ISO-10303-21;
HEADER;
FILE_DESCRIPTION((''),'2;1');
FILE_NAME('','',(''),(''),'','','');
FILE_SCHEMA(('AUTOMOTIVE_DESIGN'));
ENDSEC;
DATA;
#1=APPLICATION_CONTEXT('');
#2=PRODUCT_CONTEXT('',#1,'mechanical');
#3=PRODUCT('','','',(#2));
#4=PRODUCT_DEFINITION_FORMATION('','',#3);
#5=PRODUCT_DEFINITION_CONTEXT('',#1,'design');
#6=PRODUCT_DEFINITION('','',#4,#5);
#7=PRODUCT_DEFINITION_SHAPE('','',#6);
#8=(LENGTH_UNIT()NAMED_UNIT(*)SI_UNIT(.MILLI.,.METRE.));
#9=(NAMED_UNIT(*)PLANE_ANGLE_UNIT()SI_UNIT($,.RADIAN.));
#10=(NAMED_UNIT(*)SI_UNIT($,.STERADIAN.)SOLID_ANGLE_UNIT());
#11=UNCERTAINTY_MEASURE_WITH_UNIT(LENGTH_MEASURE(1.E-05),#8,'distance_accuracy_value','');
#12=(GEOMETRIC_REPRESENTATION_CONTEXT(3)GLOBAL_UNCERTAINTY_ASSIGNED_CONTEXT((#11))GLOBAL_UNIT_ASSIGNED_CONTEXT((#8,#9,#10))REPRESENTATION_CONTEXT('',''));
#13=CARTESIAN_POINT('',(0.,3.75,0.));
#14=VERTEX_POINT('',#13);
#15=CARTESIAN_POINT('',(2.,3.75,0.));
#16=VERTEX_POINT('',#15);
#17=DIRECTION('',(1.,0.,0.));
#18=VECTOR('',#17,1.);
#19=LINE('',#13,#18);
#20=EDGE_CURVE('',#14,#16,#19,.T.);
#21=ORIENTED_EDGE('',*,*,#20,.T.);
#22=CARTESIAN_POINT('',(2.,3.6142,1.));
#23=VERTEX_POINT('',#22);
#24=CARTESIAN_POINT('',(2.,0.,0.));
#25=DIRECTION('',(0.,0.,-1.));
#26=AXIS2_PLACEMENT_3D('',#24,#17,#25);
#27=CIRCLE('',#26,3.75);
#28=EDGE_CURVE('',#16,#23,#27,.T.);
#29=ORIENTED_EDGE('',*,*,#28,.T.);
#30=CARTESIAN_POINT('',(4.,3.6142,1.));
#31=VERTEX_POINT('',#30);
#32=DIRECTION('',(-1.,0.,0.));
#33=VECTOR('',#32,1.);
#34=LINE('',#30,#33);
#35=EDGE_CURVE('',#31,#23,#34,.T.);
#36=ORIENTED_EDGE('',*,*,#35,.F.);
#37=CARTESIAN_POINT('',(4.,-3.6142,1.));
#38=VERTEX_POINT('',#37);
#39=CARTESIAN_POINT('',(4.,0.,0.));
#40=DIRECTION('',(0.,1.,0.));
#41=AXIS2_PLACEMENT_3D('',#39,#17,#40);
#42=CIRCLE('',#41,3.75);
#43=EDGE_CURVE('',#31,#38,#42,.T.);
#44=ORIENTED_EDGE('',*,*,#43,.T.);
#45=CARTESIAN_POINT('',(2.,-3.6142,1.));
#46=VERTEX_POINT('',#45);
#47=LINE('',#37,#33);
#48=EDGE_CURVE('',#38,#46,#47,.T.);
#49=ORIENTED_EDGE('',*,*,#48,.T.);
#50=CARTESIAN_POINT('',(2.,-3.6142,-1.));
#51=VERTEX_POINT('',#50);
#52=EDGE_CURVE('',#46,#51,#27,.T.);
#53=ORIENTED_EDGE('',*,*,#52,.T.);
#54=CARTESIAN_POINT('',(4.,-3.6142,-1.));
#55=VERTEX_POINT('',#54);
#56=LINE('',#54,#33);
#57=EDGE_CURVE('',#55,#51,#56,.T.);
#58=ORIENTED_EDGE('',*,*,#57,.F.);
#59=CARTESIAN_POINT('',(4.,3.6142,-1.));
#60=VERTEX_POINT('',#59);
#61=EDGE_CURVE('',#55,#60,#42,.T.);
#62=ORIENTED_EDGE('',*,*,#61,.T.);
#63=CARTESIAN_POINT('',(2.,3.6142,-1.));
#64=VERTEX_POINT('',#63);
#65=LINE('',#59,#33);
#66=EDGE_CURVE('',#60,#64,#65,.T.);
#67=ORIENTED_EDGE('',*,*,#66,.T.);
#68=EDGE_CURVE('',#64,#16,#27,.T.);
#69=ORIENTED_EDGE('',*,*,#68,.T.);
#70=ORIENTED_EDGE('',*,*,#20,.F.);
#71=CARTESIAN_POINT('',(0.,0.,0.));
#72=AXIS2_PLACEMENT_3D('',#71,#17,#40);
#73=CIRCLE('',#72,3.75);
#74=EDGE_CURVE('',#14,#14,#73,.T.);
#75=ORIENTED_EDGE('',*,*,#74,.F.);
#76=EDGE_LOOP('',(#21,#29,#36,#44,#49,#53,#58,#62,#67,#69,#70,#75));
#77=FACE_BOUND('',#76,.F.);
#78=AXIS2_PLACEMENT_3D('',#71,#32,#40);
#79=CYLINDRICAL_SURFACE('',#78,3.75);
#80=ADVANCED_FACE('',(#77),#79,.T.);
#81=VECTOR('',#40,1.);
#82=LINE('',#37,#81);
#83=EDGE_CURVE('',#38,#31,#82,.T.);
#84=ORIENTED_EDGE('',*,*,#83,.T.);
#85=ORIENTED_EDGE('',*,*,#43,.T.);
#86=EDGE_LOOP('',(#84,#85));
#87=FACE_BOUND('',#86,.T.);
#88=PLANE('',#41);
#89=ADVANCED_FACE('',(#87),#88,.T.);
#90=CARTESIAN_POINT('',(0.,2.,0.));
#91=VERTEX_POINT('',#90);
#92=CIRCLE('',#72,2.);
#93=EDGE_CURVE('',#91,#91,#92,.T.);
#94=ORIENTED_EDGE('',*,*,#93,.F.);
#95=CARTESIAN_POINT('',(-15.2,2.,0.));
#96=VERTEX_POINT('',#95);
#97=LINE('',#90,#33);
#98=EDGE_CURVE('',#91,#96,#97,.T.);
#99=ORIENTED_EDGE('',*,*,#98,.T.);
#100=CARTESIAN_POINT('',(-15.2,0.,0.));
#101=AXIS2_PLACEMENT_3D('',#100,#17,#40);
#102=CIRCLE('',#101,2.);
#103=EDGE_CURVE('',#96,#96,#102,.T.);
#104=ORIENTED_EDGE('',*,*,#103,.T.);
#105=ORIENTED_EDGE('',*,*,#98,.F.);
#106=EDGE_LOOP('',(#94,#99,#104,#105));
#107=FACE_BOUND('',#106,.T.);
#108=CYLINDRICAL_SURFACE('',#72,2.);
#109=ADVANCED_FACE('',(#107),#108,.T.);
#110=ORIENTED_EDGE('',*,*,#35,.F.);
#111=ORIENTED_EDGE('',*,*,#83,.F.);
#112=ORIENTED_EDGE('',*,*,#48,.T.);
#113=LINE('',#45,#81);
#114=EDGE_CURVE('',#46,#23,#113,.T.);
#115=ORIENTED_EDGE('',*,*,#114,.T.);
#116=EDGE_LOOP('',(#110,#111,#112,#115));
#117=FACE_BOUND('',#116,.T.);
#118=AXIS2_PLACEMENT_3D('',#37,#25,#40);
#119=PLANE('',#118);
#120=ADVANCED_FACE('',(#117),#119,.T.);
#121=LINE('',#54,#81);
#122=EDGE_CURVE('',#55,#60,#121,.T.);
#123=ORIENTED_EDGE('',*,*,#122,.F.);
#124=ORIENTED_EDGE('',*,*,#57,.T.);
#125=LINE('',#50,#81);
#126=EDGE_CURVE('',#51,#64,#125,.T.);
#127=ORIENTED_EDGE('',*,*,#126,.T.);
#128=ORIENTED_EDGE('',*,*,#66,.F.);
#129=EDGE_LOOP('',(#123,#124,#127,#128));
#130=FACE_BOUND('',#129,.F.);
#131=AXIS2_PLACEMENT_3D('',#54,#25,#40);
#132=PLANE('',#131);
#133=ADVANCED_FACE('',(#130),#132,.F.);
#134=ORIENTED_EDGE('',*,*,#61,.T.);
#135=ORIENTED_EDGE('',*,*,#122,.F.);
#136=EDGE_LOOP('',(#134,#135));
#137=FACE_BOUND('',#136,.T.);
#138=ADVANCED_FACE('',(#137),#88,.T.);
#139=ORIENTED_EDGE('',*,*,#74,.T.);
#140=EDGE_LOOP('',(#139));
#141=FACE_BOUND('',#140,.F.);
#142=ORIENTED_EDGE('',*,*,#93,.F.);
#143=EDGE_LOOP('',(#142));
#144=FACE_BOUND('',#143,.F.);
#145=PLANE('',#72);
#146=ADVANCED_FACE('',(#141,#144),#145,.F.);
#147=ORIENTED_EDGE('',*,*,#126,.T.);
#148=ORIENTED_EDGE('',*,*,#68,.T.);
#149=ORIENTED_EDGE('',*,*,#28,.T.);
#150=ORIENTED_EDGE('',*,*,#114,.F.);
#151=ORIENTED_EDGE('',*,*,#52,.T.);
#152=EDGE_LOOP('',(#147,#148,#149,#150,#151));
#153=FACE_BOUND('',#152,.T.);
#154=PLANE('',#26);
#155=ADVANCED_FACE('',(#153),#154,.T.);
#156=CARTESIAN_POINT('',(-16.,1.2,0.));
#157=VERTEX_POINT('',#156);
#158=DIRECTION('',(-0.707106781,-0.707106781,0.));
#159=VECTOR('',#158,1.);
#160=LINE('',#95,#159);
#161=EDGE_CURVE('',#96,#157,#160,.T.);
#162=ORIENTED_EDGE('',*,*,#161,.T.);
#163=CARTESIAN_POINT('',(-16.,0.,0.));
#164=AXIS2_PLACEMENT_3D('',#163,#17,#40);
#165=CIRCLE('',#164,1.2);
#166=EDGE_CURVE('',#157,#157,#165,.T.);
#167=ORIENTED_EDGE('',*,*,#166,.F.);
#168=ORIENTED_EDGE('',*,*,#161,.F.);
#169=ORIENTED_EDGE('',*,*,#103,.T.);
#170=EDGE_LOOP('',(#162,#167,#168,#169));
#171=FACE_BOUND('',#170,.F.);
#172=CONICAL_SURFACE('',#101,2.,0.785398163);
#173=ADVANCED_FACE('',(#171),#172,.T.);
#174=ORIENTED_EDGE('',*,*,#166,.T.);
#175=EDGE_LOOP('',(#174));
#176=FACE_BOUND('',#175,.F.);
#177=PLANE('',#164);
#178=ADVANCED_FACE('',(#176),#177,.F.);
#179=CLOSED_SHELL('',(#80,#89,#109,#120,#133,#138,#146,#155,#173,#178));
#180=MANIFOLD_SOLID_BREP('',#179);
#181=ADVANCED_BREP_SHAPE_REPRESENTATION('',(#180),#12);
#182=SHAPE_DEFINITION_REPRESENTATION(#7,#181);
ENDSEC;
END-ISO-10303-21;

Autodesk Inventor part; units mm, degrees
ref_plane "YZ Plane" through (0, 0, 0) normal (1, 0, 0) x (0, 1, 0)
ref_plane "XZ Plane" through (0, 0, 0) normal (0, 1, 0) x (-1, 0, 0)
ref_plane "XY Plane" through (0, 0, 0) normal (0, 0, 1) x (1, 0, 0)
sketch "Sketch1" plane through (0, 0, 0) normal (1, 0, 0) x (0, 1, 0)
  circle A0 centre (0, 0) radius 2
  circle A1 centre (0, 0) radius 3.75
  dimension "d0" = 4
  dimension "d1" = 7.5
extrude "Extrusion1" add sketch "Sketch1" against normal blind 16 contours A0
extrude "Extrusion2" add sketch "Sketch1" along normal blind 4 contours A0 | A1
sketch "Sketch2" plane through (4, 0, 0) normal (1, 0, 0) x (0, 0, -1)
  circle A0 centre (0, 0) radius 3.75 projected
  circle A1 centre (0, 0) radius 3.75 projected
  line L0 (-1, -3.6142) -> (-1, 3.6142)
  line L1 (1, -3.6142) -> (1, 3.6142)
  line L2 (0, 0) -> (0, 3.75)
  dimension "d15" = 2
extrude "Extrusion3" cut sketch "Sketch2" against normal blind 2 contours L1 A0 L0
chamfer "Chamfer1" distance 0.8 angle 45 1 edges at (-16, -2, 0)
thread "Thread2" size "M4x0.7" class "6g" standard "ANSI Metric M Profile" full length
properties part number "screw_M3-10" material "Сталь"
